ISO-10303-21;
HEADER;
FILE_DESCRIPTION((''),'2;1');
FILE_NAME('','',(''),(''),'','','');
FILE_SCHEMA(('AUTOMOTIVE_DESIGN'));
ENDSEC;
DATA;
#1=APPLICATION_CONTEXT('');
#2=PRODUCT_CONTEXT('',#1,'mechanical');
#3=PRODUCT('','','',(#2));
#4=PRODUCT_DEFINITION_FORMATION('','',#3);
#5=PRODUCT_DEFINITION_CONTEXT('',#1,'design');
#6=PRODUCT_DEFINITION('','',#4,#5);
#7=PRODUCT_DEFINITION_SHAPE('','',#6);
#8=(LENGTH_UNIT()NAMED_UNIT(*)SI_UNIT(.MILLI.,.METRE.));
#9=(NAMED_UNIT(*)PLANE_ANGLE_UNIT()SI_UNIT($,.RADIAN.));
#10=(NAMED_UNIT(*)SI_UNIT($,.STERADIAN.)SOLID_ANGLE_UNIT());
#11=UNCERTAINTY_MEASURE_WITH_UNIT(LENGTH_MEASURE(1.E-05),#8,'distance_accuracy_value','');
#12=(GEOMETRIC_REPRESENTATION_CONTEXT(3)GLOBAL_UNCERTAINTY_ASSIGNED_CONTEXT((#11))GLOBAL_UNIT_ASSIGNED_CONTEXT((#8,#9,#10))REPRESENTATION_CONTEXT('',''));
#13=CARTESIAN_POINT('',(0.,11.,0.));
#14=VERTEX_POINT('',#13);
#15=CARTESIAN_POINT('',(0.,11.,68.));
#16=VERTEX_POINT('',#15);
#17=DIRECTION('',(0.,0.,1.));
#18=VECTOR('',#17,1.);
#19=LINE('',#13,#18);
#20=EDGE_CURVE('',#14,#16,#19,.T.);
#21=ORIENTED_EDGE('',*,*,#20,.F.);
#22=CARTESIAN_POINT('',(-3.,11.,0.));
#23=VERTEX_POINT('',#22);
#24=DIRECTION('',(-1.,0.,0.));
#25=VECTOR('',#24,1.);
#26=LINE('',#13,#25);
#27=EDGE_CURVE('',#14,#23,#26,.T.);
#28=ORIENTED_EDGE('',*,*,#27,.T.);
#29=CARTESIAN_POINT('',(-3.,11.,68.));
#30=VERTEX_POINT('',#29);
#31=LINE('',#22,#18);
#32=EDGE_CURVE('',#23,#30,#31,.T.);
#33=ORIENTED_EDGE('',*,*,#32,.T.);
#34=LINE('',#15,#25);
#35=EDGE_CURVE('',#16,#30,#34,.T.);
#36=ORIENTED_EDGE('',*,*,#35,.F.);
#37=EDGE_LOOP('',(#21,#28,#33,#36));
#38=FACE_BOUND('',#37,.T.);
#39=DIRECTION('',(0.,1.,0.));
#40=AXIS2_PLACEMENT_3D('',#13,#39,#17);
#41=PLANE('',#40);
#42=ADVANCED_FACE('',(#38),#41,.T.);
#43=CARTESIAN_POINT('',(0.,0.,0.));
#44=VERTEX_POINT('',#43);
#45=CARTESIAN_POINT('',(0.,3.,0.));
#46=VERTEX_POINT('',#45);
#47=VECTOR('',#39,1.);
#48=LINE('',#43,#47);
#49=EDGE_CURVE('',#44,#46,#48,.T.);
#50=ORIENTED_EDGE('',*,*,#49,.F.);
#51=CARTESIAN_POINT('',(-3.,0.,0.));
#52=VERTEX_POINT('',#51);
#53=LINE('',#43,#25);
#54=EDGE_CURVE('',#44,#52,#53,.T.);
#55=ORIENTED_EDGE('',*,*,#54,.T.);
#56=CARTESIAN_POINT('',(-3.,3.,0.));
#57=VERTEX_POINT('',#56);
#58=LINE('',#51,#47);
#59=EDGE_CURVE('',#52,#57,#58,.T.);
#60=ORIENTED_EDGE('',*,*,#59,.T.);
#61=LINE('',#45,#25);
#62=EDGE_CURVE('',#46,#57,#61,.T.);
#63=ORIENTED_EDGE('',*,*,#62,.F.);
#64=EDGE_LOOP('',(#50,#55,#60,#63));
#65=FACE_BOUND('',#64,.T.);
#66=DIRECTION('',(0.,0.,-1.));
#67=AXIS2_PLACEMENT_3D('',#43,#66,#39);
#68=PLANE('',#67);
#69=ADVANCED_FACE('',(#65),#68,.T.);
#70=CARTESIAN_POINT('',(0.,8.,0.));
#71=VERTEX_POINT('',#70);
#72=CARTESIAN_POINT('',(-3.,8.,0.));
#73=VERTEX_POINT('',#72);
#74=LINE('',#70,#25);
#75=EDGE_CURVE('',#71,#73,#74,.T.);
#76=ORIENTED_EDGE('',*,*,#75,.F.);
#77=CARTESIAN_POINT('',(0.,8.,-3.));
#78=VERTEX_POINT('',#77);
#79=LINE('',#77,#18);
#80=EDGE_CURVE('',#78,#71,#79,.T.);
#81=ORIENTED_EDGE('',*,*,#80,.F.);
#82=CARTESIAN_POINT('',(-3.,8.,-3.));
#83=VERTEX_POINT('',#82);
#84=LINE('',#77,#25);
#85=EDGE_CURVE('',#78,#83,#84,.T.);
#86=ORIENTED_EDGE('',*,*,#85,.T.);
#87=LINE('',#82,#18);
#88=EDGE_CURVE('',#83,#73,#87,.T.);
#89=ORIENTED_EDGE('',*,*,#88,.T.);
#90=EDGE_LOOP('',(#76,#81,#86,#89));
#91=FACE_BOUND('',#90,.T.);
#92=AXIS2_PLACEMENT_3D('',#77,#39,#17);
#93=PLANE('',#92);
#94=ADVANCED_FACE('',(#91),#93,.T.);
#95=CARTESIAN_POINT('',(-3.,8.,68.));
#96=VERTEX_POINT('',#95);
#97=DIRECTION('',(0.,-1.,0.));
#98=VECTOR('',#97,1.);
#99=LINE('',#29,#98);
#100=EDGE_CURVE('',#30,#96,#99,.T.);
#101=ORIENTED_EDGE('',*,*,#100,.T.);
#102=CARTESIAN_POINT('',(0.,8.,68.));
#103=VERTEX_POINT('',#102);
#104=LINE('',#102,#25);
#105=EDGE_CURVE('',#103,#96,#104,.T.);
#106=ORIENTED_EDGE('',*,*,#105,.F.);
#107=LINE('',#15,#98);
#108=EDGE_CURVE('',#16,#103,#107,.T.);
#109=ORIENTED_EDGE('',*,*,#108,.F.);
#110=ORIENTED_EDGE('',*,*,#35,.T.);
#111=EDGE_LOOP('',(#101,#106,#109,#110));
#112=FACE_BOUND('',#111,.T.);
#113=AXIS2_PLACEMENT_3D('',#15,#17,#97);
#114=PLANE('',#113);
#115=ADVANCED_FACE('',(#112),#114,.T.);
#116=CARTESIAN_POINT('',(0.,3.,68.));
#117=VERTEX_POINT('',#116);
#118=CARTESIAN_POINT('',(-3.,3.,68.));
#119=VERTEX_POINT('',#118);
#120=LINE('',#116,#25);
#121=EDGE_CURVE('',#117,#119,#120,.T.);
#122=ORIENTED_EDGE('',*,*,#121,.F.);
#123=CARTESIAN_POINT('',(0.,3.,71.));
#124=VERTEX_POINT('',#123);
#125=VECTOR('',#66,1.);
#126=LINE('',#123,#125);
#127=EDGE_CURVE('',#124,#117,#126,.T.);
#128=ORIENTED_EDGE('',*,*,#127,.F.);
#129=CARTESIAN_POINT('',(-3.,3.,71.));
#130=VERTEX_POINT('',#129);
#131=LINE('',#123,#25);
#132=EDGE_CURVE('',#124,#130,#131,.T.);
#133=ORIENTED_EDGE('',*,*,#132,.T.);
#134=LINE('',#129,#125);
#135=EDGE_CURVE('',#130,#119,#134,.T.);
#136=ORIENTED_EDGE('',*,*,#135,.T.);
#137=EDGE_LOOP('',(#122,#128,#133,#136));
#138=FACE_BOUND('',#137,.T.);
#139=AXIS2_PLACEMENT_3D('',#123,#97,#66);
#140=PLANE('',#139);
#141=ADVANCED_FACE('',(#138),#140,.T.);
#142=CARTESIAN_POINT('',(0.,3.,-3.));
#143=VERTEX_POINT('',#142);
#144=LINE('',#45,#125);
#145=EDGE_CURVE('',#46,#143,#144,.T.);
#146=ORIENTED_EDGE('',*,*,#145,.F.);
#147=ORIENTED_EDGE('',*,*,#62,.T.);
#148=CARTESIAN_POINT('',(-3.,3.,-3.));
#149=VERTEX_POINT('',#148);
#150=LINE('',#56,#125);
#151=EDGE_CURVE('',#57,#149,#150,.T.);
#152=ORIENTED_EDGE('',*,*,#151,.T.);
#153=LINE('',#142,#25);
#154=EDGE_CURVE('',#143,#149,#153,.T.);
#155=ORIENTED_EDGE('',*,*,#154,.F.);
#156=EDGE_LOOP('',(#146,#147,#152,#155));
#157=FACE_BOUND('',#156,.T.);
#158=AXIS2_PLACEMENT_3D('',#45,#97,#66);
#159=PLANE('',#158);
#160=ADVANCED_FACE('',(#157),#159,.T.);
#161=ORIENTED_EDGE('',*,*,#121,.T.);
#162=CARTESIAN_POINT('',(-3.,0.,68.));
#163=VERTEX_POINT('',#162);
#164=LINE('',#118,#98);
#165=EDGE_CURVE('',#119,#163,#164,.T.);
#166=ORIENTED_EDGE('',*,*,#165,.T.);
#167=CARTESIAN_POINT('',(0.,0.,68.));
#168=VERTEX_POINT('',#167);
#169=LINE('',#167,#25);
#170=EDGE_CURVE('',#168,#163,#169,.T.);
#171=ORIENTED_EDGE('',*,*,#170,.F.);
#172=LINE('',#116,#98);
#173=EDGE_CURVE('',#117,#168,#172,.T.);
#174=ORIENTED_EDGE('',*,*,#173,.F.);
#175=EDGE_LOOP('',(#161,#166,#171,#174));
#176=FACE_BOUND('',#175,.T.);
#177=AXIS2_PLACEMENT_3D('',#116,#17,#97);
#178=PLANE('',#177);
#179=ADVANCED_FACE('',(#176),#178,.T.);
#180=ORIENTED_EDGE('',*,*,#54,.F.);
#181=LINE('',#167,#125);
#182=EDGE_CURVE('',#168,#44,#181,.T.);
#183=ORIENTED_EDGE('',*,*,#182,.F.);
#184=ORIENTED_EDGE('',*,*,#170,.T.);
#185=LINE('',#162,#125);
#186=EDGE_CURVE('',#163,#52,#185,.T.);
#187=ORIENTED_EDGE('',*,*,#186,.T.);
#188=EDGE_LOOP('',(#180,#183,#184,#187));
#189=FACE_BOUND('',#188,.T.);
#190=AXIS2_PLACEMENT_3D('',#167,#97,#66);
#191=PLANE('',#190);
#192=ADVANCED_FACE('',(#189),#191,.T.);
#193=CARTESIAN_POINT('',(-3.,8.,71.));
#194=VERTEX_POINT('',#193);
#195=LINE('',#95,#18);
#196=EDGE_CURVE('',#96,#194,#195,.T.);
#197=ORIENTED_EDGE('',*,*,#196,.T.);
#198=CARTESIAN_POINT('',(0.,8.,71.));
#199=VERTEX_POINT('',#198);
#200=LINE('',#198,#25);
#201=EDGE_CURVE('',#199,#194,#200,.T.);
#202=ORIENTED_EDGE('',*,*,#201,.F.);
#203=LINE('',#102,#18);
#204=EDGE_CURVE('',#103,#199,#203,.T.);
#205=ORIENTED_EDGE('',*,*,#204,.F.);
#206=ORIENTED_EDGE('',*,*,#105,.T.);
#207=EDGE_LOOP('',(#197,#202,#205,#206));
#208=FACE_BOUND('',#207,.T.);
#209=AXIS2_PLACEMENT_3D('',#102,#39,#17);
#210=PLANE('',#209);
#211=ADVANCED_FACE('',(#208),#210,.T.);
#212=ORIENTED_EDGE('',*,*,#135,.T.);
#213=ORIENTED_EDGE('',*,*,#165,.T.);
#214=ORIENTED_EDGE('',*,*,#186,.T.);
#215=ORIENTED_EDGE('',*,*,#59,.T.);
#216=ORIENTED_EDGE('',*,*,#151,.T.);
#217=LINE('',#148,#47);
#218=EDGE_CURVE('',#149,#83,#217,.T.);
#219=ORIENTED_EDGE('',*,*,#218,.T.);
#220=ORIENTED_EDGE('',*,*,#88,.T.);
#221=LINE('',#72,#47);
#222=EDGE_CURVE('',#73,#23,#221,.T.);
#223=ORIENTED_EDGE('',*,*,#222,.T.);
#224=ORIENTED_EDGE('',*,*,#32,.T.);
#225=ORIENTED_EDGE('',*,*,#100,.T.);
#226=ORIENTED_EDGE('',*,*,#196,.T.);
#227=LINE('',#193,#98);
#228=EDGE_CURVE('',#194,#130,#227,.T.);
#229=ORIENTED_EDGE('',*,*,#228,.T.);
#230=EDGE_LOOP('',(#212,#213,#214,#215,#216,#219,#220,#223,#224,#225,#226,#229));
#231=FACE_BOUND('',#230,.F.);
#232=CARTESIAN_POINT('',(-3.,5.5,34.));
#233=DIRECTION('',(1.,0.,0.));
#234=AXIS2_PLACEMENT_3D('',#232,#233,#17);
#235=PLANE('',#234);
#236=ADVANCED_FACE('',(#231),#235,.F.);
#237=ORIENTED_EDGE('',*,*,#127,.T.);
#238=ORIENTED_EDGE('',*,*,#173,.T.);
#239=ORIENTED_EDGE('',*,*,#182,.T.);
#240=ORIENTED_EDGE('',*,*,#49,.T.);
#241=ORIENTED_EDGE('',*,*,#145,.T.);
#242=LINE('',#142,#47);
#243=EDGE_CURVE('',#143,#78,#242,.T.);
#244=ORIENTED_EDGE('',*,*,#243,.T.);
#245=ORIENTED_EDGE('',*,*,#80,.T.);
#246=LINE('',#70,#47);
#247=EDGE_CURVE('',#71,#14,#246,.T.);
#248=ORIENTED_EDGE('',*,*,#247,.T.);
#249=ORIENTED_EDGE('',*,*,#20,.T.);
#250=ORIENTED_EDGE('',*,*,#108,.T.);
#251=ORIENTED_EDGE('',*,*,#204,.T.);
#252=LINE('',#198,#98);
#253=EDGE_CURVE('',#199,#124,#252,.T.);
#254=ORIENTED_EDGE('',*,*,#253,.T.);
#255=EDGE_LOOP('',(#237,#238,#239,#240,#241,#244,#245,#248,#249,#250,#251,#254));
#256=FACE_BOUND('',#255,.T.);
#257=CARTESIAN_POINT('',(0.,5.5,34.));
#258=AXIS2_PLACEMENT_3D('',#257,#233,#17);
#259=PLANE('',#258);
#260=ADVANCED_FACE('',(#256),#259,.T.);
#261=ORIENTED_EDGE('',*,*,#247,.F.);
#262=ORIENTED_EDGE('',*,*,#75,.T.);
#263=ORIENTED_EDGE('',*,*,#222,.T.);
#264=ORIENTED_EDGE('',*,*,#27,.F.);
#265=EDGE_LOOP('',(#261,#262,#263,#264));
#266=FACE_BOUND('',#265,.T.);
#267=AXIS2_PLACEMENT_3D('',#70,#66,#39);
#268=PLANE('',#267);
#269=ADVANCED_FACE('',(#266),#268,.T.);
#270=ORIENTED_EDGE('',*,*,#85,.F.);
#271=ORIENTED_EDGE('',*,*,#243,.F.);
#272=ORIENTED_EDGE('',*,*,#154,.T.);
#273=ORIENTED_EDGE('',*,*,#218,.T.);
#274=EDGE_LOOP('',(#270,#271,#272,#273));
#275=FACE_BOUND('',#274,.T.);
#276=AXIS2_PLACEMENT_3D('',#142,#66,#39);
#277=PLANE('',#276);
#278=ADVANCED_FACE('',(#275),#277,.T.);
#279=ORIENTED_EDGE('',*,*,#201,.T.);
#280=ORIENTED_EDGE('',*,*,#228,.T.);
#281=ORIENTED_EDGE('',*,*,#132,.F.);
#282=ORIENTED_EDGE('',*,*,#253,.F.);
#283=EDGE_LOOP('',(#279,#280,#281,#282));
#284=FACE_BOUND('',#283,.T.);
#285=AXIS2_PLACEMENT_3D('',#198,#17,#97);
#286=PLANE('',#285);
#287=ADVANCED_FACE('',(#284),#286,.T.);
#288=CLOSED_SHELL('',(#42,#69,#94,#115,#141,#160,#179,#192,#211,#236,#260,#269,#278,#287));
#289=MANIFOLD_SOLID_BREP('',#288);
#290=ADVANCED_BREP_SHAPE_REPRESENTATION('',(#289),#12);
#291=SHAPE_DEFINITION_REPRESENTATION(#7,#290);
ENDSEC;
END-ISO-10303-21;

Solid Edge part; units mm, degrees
sketch "Sketch1" plane through (0, 0, 0) normal (1, 0, 0) x (0, 1, 0)
  line L0 (3, -3) -> (8, -3)
  line L1 (8, -3) -> (8, 0)
  line L2 (8, 0) -> (11, 0)
  line L3 (11, 0) -> (11, 68)
  line L4 (11, 68) -> (8, 68)
  line L5 (8, 68) -> (8, 71)
  line L6 (8, 71) -> (3, 71)
  line L7 (3, 71) -> (3, 68)
  line L8 (3, 68) -> (0, 68)
  line L9 (0, 68) -> (0, 0)
  line L10 (0, 0) -> (3, 0)
  line L11 (3, 0) -> (3, -3)
  dimension "D1" = 3
  dimension "D2" = 5
  dimension "D3" = 3
  dimension "D4" = 68
extrude "Protrusion1" add sketch "Sketch1" against normal blind 3
properties material "Acier"
